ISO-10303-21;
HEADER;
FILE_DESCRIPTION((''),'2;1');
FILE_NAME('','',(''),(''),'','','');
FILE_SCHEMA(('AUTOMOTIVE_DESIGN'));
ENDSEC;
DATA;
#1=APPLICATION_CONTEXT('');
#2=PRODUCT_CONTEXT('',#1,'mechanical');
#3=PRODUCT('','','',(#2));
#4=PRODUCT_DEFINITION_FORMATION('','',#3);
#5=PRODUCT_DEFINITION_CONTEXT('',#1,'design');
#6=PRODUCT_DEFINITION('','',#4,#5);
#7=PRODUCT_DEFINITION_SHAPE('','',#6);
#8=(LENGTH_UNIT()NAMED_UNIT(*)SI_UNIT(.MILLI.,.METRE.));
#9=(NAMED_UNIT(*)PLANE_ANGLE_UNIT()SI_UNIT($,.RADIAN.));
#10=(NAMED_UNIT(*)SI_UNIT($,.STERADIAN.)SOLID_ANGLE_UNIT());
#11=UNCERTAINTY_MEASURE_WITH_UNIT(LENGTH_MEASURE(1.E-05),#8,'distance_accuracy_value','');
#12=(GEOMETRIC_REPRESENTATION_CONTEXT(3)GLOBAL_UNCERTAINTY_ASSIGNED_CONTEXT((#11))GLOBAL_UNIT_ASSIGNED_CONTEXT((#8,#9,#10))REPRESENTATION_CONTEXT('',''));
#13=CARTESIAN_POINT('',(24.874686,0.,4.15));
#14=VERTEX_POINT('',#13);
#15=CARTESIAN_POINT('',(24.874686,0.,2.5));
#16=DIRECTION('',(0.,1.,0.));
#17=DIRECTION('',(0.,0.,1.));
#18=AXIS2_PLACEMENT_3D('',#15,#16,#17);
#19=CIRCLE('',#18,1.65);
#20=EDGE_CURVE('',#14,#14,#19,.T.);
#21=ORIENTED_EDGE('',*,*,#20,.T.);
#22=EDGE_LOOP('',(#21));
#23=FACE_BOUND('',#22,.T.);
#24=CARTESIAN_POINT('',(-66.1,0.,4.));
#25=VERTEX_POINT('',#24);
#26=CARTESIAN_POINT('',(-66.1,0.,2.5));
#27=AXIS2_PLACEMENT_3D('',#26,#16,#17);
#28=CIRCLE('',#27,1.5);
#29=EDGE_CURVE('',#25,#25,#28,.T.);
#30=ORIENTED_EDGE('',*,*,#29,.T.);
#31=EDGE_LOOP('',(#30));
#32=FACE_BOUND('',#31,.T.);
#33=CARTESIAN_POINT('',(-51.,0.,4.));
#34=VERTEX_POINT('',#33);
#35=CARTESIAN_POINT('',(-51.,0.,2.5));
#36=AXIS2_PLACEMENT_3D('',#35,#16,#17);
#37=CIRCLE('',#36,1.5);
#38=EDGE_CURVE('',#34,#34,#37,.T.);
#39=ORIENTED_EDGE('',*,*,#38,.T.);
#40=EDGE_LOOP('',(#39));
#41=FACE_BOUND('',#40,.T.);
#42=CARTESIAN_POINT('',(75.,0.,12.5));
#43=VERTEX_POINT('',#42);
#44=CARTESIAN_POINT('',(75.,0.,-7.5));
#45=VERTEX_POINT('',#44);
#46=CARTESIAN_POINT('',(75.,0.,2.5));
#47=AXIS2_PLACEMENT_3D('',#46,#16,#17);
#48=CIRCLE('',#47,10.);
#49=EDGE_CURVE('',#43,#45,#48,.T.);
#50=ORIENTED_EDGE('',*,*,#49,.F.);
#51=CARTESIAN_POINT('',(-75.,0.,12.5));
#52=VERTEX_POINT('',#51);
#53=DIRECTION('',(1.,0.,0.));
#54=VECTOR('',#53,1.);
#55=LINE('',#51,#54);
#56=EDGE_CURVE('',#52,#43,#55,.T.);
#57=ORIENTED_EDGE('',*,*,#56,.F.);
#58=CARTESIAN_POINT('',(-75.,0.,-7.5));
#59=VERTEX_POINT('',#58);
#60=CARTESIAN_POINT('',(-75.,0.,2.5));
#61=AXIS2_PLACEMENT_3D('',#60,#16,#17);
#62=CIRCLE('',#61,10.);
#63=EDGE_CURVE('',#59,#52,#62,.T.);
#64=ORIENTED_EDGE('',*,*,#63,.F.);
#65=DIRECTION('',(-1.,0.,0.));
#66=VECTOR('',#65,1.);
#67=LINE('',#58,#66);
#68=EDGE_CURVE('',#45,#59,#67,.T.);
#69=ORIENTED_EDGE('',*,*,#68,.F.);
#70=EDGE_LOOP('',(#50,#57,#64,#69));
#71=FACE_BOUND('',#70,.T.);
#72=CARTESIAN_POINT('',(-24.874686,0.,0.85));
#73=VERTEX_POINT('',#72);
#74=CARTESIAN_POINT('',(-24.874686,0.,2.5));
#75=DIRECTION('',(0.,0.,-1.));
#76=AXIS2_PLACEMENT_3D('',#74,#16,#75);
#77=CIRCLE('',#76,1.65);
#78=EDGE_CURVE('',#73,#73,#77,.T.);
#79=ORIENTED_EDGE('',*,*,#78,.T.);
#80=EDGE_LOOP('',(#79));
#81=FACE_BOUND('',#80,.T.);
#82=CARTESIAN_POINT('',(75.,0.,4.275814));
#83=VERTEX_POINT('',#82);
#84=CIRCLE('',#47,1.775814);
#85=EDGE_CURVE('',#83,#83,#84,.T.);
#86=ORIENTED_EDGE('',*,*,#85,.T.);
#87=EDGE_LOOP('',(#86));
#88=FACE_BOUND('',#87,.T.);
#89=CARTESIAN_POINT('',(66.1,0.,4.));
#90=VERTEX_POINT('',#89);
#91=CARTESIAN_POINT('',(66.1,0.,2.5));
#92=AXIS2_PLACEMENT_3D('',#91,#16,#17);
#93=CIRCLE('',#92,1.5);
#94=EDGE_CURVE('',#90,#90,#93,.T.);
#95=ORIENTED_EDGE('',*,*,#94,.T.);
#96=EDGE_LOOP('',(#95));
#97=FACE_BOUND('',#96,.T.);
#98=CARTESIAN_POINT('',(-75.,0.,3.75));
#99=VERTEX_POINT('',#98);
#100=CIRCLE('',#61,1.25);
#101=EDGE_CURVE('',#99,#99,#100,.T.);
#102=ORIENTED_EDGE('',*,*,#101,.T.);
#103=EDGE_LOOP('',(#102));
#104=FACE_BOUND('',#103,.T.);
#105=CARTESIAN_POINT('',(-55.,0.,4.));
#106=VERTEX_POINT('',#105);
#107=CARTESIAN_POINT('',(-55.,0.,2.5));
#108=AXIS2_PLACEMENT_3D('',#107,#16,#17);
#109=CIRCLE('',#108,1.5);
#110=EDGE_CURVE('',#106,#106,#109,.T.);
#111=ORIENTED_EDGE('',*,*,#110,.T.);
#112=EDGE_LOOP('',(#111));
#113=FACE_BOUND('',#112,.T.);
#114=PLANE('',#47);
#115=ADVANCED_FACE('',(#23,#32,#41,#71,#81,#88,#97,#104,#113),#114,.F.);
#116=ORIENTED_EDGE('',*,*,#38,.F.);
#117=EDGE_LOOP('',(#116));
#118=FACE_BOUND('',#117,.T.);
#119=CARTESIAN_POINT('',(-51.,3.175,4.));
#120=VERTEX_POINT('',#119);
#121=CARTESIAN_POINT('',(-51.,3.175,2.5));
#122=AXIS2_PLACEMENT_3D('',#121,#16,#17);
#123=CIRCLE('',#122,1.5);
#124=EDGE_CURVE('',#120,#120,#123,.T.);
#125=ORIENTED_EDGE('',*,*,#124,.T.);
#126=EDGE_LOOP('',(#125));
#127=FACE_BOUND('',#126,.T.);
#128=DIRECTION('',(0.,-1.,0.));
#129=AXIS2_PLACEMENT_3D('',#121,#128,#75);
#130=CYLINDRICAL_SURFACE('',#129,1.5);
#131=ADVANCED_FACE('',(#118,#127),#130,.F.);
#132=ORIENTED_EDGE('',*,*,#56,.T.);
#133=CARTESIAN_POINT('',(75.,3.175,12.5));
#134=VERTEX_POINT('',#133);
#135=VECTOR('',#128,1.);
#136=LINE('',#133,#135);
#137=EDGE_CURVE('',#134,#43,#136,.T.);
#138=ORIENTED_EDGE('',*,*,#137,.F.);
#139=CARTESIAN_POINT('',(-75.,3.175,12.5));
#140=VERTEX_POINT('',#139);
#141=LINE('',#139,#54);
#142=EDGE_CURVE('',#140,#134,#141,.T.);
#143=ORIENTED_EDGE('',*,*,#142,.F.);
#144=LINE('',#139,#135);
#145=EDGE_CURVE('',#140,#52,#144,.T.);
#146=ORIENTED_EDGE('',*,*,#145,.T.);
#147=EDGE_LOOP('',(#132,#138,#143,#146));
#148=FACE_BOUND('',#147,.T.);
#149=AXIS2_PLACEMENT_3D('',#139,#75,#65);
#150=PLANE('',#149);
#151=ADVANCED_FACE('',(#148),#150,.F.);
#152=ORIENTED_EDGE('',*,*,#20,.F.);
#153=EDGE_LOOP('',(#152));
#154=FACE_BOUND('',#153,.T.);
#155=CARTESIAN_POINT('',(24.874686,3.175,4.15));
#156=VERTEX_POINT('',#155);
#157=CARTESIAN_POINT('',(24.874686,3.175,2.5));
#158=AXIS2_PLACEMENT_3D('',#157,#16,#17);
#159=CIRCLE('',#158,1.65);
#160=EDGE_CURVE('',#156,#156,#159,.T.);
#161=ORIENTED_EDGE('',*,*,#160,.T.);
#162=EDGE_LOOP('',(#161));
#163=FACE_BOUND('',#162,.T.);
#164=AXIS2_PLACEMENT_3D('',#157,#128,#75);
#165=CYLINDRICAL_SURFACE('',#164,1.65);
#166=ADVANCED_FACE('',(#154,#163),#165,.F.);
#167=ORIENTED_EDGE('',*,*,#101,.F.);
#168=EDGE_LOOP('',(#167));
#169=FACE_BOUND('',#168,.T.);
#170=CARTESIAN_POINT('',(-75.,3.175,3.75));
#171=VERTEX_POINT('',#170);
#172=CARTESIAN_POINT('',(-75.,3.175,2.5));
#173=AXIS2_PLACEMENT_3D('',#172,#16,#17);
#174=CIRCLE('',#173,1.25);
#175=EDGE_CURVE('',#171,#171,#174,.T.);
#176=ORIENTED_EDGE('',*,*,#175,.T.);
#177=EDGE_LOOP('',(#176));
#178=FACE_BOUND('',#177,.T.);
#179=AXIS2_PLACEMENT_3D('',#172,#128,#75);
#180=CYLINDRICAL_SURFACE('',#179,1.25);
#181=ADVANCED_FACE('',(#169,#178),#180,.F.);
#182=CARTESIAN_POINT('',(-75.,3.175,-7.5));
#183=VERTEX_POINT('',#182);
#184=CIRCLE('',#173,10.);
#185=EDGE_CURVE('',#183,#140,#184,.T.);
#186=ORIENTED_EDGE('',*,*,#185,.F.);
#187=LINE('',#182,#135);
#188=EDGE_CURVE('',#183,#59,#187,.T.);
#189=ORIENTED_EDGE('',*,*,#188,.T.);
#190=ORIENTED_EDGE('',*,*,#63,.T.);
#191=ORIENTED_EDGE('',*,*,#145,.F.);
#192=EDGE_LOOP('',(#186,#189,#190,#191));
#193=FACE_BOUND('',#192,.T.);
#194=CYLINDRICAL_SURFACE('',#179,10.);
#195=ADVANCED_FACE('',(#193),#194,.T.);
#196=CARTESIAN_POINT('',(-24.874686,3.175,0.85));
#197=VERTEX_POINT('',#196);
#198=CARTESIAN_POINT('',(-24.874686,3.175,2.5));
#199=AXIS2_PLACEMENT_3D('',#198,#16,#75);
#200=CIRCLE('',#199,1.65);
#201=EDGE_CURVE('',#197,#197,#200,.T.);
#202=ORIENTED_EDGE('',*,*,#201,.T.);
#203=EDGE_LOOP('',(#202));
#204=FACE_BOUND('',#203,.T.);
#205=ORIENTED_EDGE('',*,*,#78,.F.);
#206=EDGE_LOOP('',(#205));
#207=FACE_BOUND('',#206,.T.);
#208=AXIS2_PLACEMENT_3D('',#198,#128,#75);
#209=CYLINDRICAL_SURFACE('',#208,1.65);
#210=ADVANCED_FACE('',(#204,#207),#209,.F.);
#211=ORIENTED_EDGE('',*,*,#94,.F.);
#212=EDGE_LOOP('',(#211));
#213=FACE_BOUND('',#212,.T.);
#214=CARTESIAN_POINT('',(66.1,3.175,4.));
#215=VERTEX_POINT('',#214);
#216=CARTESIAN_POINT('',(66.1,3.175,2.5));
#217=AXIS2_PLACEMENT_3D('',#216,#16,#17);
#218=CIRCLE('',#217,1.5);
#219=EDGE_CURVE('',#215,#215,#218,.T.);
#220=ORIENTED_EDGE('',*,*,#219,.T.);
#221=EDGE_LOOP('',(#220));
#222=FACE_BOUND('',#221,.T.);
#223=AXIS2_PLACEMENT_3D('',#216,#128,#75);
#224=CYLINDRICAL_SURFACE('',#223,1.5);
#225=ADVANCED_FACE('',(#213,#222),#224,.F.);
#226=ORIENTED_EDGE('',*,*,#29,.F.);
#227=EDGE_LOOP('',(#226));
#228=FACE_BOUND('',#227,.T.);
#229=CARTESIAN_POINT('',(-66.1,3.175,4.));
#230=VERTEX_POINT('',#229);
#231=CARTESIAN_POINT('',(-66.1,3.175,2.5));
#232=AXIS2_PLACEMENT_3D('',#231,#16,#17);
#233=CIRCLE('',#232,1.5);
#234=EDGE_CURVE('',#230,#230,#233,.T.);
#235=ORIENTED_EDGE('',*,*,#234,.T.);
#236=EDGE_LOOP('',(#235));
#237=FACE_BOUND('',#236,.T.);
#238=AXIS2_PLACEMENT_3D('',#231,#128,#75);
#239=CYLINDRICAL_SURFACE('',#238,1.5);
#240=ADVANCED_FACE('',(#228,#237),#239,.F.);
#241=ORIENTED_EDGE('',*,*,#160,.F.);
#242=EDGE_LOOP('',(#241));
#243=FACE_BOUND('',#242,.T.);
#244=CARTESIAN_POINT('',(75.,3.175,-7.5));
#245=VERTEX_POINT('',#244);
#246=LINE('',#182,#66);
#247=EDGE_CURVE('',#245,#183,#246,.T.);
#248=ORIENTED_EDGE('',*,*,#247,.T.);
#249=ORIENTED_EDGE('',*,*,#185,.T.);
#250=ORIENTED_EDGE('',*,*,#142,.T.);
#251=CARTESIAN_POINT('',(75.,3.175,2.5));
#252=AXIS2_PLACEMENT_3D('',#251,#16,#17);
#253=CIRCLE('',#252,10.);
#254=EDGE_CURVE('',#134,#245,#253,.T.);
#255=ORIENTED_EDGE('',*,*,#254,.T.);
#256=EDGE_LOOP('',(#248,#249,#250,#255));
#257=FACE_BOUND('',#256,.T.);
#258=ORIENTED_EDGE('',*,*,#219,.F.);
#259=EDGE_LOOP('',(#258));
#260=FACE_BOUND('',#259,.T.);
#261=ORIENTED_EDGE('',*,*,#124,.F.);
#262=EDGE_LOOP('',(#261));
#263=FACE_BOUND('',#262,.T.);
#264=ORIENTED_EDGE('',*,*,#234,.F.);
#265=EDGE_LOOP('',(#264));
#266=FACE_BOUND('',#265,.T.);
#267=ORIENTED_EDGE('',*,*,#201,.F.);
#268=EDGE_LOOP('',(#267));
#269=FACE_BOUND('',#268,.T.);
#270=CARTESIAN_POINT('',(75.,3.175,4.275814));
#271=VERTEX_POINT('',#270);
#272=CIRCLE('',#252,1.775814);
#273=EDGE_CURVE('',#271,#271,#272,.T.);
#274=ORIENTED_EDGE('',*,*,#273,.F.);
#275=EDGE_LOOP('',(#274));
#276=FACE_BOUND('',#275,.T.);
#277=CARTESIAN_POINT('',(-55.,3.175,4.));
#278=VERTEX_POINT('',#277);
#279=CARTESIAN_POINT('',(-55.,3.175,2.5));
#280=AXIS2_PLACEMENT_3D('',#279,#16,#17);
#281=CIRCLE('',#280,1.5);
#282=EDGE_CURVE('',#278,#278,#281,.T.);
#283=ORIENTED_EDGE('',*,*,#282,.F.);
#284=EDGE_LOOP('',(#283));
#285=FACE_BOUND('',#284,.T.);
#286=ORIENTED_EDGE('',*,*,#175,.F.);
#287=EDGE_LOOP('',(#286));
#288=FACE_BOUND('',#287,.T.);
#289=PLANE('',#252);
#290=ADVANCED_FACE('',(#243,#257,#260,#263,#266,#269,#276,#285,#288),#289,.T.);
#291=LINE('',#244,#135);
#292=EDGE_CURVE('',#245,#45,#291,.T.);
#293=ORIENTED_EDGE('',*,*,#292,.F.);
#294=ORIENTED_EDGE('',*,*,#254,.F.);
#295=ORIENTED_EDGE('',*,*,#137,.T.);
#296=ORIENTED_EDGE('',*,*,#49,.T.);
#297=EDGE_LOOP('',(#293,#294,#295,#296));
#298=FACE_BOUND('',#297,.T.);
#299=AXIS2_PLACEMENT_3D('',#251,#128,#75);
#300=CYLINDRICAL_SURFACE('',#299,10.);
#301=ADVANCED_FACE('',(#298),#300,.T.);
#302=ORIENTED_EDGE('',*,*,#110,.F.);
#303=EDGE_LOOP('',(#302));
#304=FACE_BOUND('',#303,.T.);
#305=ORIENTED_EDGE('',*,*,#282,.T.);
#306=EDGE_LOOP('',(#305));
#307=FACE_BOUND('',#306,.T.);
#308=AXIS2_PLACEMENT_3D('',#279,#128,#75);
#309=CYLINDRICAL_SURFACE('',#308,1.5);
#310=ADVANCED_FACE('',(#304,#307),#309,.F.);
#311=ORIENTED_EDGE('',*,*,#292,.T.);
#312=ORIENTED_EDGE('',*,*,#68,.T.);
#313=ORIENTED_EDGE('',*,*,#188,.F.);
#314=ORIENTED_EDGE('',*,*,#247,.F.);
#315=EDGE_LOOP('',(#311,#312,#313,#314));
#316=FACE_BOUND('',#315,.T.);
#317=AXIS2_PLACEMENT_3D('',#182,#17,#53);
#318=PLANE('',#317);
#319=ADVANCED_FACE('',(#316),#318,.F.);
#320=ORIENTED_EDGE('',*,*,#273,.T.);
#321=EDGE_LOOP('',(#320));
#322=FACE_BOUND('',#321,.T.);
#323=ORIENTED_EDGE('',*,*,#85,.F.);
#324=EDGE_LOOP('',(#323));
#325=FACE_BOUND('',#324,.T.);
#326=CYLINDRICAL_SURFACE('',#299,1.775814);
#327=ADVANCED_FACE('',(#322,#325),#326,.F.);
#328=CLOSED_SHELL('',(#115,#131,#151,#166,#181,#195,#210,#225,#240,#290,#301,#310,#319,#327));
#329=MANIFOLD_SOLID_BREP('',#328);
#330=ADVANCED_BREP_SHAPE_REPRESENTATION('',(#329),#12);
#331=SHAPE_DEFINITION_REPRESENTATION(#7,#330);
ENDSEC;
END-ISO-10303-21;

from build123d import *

# Parameters (mm, degrees)
SKETCH1_R           = 1.5
SKETCH1_R_2         = 1.775813941
SKETCH1_R_3         = 1.65
SKETCH1_R_4         = 1.25
BOSS_EXTRUDE1_DEPTH = 3.175


with BuildPart() as part:
    # Sketch1 → Boss-Extrude1 (new body)
    with BuildSketch(Plane(origin=(0, 0, 0), x_dir=(1, 0, 0), z_dir=(0, 1, 0))):
        with BuildLine():
            Line((-75, 7.5), (75, 7.5))
            ThreePointArc((75, 7.5), (85, -2.5), (75, -12.5))
            Line((75, -12.5), (-75, -12.5))
            ThreePointArc((-75, -12.5), (-85, -2.5), (-75, 7.5))
        make_face()
        with Locations(Location((-66.1, -2.5, 0), (0, 0, 270))):
            Circle(SKETCH1_R, mode=Mode.SUBTRACT)
        with Locations(Location((-55, -2.5, 0), (0, 0, 270))):
            Circle(SKETCH1_R, mode=Mode.SUBTRACT)
        with Locations(Location((-51, -2.5, 0), (0, 0, 270))):
            Circle(SKETCH1_R, mode=Mode.SUBTRACT)
        with Locations(Location((66.1, -2.5, 0), (0, 0, 270))):
            Circle(SKETCH1_R, mode=Mode.SUBTRACT)
        with Locations(Location((75, -2.5, 0), (0, 0, 270))):
            Circle(SKETCH1_R_2, mode=Mode.SUBTRACT)
        with Locations(Location((24.874685928, -2.5, 0), (0, 0, 270))):
            Circle(SKETCH1_R_3, mode=Mode.SUBTRACT)
        with Locations(Location((-24.874685928, -2.5, 0), (0, 0, 90))):
            Circle(SKETCH1_R_3, mode=Mode.SUBTRACT)
        with Locations(Location((-75, -2.5, 0), (0, 0, 270))):
            Circle(SKETCH1_R_4, mode=Mode.SUBTRACT)
    extrude(amount=BOSS_EXTRUDE1_DEPTH)


solid = part.part
